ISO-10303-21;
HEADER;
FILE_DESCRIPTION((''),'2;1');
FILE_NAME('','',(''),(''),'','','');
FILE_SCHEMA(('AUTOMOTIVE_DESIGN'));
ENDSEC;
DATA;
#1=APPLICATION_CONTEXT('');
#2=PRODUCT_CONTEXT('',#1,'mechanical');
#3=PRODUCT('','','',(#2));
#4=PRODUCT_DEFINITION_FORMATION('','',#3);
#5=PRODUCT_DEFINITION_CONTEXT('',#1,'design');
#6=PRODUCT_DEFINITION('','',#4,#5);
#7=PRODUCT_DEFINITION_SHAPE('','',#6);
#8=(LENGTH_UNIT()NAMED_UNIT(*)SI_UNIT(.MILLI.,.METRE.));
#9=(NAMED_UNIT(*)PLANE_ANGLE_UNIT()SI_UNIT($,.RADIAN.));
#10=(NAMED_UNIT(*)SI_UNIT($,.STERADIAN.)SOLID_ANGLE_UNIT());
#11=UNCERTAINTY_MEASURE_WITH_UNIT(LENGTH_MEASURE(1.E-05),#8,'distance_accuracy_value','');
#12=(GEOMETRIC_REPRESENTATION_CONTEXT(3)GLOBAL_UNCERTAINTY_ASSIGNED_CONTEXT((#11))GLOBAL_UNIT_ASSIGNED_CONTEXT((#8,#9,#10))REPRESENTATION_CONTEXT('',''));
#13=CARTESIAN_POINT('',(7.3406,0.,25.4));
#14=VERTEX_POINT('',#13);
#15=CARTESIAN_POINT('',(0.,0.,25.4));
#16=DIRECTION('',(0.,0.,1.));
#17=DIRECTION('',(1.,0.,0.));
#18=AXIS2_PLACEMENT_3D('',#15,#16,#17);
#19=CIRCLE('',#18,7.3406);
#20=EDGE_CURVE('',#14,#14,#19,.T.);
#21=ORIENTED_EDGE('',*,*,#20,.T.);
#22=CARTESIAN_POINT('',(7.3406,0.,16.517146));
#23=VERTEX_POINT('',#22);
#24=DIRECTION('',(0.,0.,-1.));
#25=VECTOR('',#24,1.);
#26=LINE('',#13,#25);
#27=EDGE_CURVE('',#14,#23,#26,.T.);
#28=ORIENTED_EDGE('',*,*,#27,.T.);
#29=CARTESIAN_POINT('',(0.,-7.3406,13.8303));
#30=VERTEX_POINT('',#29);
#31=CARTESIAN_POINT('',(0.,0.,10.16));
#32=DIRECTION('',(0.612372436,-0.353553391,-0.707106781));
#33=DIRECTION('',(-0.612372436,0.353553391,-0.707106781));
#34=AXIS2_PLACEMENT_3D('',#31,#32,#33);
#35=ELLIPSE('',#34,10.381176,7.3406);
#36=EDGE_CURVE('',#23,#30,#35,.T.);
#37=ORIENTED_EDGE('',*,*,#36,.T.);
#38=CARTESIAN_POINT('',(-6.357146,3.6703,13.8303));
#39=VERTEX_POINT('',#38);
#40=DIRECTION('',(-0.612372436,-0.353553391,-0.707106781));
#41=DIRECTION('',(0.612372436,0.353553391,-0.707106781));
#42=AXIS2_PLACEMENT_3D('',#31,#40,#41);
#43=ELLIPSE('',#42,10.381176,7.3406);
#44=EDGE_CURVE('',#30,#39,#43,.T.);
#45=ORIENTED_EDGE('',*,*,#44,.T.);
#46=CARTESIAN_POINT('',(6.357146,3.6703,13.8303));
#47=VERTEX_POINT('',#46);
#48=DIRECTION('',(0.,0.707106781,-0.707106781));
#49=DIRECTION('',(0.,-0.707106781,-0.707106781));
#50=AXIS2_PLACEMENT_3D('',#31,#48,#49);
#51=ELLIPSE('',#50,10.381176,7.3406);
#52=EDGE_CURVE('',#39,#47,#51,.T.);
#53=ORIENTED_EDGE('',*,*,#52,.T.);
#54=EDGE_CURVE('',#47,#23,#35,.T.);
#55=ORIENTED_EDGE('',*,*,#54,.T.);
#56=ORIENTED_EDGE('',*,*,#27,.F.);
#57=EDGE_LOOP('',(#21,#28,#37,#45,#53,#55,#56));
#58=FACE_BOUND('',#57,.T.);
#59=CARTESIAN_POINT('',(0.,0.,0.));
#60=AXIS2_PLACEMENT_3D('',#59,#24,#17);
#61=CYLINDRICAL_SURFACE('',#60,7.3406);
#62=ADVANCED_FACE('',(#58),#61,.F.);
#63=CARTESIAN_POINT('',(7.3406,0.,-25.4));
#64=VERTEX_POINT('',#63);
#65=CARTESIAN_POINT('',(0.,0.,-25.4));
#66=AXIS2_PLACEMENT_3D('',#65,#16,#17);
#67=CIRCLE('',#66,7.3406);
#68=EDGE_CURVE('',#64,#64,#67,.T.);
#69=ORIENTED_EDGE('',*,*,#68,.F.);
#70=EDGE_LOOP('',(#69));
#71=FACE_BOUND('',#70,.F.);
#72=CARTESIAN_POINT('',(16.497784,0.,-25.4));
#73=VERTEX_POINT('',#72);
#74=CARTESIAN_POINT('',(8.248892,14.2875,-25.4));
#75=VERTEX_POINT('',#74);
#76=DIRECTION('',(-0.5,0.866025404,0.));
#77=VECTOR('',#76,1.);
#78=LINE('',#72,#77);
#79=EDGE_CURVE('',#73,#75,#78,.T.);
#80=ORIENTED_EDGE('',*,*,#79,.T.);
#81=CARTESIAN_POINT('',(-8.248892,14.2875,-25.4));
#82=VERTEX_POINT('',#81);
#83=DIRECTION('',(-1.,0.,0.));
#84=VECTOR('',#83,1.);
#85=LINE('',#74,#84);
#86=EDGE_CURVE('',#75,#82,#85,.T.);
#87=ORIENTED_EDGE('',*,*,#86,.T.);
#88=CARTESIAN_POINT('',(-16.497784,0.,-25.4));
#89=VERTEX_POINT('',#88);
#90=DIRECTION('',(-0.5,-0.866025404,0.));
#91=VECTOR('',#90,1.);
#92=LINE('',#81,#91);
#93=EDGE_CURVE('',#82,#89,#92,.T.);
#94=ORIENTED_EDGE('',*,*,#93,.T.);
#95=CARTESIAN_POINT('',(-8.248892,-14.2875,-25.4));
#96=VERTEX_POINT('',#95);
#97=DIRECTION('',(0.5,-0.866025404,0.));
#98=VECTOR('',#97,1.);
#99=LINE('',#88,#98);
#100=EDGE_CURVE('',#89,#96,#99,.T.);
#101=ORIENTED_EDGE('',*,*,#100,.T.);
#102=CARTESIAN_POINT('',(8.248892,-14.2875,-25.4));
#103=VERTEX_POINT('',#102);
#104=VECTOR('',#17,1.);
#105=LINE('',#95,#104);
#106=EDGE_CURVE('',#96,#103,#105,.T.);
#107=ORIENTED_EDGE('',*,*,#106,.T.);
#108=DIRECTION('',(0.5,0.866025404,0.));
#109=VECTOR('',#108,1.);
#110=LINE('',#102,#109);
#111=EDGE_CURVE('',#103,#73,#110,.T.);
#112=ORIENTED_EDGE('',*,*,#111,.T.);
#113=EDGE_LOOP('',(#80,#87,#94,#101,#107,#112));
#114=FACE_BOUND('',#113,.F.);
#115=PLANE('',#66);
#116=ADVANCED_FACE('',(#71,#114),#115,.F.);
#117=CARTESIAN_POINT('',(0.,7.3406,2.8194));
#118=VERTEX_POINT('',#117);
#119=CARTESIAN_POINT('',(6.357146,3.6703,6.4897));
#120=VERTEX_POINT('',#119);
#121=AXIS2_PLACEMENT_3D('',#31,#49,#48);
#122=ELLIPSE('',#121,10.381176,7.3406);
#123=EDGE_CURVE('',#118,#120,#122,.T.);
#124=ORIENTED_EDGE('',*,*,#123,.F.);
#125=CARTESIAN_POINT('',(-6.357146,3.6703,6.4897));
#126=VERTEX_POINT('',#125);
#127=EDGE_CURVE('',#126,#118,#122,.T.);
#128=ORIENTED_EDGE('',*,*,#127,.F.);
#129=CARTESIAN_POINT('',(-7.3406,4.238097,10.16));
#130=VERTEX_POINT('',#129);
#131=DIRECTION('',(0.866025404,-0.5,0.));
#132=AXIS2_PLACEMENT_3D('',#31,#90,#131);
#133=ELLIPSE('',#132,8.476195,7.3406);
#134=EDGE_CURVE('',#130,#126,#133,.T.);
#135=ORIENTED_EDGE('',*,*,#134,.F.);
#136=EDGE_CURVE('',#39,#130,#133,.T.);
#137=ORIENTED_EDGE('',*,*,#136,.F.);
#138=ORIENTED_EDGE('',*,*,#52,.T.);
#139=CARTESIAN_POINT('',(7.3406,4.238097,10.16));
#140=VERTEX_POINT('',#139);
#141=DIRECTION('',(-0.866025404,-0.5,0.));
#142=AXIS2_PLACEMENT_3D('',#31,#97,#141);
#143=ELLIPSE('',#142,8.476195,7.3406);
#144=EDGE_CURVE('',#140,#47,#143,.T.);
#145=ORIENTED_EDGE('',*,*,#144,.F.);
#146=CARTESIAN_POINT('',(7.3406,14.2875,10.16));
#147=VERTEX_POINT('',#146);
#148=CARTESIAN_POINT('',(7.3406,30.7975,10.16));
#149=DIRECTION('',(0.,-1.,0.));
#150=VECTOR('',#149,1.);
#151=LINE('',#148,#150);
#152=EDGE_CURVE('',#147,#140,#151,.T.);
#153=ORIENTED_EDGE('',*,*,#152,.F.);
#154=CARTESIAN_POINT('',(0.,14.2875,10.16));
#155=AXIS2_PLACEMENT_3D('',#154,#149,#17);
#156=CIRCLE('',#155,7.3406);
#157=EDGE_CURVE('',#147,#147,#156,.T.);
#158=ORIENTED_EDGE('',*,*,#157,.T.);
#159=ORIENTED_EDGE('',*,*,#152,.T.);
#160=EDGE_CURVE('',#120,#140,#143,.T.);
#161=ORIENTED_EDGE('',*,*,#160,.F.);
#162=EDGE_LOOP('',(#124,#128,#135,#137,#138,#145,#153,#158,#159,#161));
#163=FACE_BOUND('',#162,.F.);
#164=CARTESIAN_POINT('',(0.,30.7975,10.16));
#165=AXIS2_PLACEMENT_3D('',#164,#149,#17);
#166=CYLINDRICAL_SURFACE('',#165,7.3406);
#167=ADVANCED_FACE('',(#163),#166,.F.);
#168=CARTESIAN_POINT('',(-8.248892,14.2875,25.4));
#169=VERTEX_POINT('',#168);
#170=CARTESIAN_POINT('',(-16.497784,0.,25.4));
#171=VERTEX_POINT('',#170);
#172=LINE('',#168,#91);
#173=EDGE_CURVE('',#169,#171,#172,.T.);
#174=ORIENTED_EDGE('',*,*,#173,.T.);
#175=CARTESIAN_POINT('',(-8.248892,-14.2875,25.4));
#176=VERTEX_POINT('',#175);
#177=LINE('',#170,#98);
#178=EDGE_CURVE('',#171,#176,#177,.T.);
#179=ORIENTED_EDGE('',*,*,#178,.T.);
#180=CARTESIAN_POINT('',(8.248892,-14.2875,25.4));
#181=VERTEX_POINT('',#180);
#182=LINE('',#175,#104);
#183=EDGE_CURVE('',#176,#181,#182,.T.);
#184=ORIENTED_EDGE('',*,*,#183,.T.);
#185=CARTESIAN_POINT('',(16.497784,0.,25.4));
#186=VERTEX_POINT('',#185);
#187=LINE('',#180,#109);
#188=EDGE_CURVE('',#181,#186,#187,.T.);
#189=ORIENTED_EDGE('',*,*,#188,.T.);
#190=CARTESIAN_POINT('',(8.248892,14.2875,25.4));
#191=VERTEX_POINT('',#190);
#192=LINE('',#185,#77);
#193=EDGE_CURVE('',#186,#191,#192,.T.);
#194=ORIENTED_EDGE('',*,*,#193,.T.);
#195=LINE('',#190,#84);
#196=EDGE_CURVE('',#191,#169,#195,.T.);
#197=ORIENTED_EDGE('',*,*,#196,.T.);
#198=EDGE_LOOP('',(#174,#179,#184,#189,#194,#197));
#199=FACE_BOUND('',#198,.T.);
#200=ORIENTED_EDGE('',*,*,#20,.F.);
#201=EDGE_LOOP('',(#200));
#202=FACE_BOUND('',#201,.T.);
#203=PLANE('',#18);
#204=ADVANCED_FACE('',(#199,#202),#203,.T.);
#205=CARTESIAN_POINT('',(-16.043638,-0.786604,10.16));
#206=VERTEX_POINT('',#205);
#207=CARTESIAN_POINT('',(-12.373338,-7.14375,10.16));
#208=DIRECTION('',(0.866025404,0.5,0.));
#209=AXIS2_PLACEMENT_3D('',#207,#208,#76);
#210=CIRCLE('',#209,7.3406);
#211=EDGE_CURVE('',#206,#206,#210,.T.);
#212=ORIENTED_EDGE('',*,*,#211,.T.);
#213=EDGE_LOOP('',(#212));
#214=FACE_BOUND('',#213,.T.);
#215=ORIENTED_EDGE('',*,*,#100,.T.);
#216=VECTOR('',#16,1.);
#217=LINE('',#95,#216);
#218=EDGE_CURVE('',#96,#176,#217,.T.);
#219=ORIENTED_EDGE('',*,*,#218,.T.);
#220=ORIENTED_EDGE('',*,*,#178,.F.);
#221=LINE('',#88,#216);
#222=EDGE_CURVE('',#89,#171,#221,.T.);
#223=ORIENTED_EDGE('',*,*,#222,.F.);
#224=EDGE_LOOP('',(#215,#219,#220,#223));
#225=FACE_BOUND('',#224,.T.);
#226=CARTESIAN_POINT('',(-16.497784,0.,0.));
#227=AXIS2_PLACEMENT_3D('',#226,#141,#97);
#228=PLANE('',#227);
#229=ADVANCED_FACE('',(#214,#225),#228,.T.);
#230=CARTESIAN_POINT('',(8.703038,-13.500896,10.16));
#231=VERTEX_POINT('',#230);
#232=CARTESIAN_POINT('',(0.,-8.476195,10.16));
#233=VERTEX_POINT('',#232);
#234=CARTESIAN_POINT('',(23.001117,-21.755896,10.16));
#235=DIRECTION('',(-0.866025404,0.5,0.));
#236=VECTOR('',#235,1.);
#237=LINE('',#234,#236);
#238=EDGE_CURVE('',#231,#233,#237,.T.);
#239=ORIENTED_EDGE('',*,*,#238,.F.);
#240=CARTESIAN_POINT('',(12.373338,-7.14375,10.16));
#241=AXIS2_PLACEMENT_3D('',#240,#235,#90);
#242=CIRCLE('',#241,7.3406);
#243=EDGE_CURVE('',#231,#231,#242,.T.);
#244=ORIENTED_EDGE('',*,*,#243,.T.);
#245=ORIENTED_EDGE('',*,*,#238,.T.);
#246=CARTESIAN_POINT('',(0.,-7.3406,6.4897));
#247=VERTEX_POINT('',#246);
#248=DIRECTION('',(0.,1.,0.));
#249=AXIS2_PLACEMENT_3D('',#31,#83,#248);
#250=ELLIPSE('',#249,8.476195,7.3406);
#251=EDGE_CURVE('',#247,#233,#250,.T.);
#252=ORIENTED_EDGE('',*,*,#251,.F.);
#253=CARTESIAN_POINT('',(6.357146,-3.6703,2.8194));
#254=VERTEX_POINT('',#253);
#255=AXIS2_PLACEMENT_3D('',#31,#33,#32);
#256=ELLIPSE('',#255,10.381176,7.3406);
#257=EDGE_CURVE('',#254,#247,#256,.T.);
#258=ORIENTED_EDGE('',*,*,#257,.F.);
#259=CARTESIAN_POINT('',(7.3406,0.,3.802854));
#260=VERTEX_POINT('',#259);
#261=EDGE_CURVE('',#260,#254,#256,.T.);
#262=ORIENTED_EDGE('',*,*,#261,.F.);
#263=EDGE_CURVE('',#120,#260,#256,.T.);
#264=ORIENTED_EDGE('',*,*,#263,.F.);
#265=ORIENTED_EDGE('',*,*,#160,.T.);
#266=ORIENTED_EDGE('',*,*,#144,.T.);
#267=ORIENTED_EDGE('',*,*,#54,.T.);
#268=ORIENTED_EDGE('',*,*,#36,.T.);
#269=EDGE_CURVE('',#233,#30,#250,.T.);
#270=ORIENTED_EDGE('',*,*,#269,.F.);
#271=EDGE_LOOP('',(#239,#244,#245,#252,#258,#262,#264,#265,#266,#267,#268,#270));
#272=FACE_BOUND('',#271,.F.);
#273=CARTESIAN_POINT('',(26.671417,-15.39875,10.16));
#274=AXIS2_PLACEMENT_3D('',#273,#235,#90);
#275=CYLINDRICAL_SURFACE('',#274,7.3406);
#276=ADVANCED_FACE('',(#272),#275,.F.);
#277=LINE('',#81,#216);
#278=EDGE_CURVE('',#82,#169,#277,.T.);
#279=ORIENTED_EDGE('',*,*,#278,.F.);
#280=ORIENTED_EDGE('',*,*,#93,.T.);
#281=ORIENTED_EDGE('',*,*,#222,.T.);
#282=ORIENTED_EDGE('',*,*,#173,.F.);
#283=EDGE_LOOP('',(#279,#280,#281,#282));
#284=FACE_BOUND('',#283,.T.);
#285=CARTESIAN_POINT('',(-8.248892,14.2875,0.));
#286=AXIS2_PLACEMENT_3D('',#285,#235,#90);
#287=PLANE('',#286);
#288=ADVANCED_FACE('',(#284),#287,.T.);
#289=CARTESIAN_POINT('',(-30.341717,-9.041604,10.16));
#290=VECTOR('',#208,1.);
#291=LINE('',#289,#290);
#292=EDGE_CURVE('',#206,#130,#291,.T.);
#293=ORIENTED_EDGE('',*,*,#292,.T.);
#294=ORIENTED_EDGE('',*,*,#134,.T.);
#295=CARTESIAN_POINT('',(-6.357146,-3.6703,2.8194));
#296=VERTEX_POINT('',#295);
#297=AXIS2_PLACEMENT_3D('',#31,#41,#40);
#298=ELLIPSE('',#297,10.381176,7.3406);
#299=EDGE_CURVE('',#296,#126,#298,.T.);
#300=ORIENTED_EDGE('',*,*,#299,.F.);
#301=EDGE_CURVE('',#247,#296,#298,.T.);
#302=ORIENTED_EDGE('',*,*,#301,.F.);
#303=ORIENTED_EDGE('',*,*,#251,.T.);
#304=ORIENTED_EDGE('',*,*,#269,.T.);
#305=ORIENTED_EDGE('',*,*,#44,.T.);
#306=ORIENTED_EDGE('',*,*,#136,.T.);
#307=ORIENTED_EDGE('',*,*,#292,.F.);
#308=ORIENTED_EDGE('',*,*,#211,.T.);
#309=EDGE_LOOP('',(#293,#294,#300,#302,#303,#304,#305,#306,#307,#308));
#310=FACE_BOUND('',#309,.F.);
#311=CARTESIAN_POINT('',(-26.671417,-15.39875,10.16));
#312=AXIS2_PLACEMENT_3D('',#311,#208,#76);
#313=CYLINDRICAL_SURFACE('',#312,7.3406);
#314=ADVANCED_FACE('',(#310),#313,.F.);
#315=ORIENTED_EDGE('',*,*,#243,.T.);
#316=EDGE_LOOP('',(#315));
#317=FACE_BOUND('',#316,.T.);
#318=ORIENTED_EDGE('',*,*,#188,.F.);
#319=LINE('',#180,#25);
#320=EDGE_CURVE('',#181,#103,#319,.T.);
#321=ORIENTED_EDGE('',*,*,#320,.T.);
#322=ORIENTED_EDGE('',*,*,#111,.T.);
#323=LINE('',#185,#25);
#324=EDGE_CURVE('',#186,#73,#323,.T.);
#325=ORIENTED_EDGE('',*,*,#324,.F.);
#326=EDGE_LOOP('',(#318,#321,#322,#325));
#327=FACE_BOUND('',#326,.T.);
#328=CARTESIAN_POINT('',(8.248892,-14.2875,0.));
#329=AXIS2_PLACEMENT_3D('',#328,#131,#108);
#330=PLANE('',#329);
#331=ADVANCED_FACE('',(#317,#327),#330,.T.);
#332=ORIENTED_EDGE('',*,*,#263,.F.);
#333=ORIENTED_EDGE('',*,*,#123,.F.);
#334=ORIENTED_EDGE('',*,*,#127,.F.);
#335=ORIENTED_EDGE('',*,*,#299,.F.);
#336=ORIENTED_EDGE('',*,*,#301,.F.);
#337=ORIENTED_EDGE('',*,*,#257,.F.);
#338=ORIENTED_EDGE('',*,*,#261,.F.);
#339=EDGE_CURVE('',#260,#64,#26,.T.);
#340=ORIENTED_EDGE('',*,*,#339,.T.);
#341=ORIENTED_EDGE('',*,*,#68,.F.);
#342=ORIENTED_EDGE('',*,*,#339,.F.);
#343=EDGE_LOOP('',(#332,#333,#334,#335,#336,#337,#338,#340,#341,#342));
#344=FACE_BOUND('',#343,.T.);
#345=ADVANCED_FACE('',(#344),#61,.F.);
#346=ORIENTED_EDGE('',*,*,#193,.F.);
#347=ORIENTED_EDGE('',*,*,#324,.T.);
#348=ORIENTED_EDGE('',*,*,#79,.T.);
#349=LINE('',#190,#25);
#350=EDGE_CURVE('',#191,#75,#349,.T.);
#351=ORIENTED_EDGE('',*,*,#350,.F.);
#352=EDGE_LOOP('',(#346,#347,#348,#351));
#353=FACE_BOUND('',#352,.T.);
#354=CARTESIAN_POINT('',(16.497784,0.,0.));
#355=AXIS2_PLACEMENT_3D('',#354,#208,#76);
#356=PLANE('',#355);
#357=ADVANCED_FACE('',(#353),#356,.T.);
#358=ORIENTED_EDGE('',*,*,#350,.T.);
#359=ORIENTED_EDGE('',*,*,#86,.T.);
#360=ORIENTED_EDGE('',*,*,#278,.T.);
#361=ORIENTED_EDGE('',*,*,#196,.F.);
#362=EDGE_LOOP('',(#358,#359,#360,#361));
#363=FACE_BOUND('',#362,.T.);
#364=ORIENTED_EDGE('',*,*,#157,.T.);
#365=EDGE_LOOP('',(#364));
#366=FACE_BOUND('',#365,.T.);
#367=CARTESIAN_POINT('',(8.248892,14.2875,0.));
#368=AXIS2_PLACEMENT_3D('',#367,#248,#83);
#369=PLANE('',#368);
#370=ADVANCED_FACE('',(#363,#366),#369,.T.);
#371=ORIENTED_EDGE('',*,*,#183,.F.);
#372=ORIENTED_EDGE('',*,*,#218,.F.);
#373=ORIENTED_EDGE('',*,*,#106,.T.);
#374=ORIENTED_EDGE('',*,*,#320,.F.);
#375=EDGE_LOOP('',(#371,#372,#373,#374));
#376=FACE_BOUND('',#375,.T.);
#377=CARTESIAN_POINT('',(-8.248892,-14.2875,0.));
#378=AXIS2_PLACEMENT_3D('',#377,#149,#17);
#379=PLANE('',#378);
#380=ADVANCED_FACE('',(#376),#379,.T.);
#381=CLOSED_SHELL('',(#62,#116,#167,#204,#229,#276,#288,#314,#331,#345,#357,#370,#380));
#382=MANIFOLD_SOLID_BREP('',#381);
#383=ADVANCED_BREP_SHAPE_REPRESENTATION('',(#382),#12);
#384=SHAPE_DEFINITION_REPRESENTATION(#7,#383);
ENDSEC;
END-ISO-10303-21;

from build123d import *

# Parameters (mm, degrees)
F0_R           = 7.3406
F1_DEPTH       = 25.4
F5_D           = 14.6812
F5_DEPTH       = 16.51
F5_TIP         = 4.41067746
F5_ON_F2_D     = 14.6812
F5_ON_F2_DEPTH = 16.51
F5_ON_F2_TIP   = 4.41067746
F5_ON_F4_D     = 14.6812
F5_ON_F4_DEPTH = 16.51
F5_ON_F4_TIP   = 4.41067746


with BuildPart() as f1:
    # F0 (on Top) → F1 (new body, symmetric)
    with BuildSketch(Plane.XY):
        Polygon((8.248891971, 14.2875), (-8.248891971, 14.2875), (-16.4977839421, 0), (-8.248891971, -14.2875), (8.248891971, -14.2875), (16.4977839421, 0), align=None)
        Circle(F0_R, mode=Mode.SUBTRACT)
    extrude(amount=F1_DEPTH, both=True)

    # F5
    with Locations(Plane(origin=(0, 14.2875, 0), x_dir=(-1, 0, 0), z_dir=(0, 1, 0))):
        with Locations((0, 10.16)):
            Hole(F5_D / 2, depth=F5_DEPTH)
            with Locations((0, 0, -(F5_DEPTH + F5_TIP / 2))):  # 118° drill point
                Cone(0, F5_D / 2, F5_TIP, mode=Mode.SUBTRACT)

    # F5 on F2
    with Locations(Plane(origin=(12.3733379566, -7.14375, 0), x_dir=(0.5, 0.8660254038, 0), z_dir=(0.8660254038, -0.5, 0))):
        with Locations((0, 10.16)):
            Hole(F5_ON_F2_D / 2, depth=F5_ON_F2_DEPTH)
            with Locations((0, 0, -(F5_ON_F2_DEPTH + F5_ON_F2_TIP / 2))):  # 118° drill point
                Cone(0, F5_ON_F2_D / 2, F5_ON_F2_TIP, mode=Mode.SUBTRACT)

    # F5 on F4
    with Locations(Plane(origin=(-12.3733379566, -7.14375, 0), x_dir=(0.5, -0.8660254038, 0), z_dir=(-0.8660254038, -0.5, 0))):
        with Locations((0, 10.16)):
            Hole(F5_ON_F4_D / 2, depth=F5_ON_F4_DEPTH)
            with Locations((0, 0, -(F5_ON_F4_DEPTH + F5_ON_F4_TIP / 2))):  # 118° drill point
                Cone(0, F5_ON_F4_D / 2, F5_ON_F4_TIP, mode=Mode.SUBTRACT)


solid = f1.part
